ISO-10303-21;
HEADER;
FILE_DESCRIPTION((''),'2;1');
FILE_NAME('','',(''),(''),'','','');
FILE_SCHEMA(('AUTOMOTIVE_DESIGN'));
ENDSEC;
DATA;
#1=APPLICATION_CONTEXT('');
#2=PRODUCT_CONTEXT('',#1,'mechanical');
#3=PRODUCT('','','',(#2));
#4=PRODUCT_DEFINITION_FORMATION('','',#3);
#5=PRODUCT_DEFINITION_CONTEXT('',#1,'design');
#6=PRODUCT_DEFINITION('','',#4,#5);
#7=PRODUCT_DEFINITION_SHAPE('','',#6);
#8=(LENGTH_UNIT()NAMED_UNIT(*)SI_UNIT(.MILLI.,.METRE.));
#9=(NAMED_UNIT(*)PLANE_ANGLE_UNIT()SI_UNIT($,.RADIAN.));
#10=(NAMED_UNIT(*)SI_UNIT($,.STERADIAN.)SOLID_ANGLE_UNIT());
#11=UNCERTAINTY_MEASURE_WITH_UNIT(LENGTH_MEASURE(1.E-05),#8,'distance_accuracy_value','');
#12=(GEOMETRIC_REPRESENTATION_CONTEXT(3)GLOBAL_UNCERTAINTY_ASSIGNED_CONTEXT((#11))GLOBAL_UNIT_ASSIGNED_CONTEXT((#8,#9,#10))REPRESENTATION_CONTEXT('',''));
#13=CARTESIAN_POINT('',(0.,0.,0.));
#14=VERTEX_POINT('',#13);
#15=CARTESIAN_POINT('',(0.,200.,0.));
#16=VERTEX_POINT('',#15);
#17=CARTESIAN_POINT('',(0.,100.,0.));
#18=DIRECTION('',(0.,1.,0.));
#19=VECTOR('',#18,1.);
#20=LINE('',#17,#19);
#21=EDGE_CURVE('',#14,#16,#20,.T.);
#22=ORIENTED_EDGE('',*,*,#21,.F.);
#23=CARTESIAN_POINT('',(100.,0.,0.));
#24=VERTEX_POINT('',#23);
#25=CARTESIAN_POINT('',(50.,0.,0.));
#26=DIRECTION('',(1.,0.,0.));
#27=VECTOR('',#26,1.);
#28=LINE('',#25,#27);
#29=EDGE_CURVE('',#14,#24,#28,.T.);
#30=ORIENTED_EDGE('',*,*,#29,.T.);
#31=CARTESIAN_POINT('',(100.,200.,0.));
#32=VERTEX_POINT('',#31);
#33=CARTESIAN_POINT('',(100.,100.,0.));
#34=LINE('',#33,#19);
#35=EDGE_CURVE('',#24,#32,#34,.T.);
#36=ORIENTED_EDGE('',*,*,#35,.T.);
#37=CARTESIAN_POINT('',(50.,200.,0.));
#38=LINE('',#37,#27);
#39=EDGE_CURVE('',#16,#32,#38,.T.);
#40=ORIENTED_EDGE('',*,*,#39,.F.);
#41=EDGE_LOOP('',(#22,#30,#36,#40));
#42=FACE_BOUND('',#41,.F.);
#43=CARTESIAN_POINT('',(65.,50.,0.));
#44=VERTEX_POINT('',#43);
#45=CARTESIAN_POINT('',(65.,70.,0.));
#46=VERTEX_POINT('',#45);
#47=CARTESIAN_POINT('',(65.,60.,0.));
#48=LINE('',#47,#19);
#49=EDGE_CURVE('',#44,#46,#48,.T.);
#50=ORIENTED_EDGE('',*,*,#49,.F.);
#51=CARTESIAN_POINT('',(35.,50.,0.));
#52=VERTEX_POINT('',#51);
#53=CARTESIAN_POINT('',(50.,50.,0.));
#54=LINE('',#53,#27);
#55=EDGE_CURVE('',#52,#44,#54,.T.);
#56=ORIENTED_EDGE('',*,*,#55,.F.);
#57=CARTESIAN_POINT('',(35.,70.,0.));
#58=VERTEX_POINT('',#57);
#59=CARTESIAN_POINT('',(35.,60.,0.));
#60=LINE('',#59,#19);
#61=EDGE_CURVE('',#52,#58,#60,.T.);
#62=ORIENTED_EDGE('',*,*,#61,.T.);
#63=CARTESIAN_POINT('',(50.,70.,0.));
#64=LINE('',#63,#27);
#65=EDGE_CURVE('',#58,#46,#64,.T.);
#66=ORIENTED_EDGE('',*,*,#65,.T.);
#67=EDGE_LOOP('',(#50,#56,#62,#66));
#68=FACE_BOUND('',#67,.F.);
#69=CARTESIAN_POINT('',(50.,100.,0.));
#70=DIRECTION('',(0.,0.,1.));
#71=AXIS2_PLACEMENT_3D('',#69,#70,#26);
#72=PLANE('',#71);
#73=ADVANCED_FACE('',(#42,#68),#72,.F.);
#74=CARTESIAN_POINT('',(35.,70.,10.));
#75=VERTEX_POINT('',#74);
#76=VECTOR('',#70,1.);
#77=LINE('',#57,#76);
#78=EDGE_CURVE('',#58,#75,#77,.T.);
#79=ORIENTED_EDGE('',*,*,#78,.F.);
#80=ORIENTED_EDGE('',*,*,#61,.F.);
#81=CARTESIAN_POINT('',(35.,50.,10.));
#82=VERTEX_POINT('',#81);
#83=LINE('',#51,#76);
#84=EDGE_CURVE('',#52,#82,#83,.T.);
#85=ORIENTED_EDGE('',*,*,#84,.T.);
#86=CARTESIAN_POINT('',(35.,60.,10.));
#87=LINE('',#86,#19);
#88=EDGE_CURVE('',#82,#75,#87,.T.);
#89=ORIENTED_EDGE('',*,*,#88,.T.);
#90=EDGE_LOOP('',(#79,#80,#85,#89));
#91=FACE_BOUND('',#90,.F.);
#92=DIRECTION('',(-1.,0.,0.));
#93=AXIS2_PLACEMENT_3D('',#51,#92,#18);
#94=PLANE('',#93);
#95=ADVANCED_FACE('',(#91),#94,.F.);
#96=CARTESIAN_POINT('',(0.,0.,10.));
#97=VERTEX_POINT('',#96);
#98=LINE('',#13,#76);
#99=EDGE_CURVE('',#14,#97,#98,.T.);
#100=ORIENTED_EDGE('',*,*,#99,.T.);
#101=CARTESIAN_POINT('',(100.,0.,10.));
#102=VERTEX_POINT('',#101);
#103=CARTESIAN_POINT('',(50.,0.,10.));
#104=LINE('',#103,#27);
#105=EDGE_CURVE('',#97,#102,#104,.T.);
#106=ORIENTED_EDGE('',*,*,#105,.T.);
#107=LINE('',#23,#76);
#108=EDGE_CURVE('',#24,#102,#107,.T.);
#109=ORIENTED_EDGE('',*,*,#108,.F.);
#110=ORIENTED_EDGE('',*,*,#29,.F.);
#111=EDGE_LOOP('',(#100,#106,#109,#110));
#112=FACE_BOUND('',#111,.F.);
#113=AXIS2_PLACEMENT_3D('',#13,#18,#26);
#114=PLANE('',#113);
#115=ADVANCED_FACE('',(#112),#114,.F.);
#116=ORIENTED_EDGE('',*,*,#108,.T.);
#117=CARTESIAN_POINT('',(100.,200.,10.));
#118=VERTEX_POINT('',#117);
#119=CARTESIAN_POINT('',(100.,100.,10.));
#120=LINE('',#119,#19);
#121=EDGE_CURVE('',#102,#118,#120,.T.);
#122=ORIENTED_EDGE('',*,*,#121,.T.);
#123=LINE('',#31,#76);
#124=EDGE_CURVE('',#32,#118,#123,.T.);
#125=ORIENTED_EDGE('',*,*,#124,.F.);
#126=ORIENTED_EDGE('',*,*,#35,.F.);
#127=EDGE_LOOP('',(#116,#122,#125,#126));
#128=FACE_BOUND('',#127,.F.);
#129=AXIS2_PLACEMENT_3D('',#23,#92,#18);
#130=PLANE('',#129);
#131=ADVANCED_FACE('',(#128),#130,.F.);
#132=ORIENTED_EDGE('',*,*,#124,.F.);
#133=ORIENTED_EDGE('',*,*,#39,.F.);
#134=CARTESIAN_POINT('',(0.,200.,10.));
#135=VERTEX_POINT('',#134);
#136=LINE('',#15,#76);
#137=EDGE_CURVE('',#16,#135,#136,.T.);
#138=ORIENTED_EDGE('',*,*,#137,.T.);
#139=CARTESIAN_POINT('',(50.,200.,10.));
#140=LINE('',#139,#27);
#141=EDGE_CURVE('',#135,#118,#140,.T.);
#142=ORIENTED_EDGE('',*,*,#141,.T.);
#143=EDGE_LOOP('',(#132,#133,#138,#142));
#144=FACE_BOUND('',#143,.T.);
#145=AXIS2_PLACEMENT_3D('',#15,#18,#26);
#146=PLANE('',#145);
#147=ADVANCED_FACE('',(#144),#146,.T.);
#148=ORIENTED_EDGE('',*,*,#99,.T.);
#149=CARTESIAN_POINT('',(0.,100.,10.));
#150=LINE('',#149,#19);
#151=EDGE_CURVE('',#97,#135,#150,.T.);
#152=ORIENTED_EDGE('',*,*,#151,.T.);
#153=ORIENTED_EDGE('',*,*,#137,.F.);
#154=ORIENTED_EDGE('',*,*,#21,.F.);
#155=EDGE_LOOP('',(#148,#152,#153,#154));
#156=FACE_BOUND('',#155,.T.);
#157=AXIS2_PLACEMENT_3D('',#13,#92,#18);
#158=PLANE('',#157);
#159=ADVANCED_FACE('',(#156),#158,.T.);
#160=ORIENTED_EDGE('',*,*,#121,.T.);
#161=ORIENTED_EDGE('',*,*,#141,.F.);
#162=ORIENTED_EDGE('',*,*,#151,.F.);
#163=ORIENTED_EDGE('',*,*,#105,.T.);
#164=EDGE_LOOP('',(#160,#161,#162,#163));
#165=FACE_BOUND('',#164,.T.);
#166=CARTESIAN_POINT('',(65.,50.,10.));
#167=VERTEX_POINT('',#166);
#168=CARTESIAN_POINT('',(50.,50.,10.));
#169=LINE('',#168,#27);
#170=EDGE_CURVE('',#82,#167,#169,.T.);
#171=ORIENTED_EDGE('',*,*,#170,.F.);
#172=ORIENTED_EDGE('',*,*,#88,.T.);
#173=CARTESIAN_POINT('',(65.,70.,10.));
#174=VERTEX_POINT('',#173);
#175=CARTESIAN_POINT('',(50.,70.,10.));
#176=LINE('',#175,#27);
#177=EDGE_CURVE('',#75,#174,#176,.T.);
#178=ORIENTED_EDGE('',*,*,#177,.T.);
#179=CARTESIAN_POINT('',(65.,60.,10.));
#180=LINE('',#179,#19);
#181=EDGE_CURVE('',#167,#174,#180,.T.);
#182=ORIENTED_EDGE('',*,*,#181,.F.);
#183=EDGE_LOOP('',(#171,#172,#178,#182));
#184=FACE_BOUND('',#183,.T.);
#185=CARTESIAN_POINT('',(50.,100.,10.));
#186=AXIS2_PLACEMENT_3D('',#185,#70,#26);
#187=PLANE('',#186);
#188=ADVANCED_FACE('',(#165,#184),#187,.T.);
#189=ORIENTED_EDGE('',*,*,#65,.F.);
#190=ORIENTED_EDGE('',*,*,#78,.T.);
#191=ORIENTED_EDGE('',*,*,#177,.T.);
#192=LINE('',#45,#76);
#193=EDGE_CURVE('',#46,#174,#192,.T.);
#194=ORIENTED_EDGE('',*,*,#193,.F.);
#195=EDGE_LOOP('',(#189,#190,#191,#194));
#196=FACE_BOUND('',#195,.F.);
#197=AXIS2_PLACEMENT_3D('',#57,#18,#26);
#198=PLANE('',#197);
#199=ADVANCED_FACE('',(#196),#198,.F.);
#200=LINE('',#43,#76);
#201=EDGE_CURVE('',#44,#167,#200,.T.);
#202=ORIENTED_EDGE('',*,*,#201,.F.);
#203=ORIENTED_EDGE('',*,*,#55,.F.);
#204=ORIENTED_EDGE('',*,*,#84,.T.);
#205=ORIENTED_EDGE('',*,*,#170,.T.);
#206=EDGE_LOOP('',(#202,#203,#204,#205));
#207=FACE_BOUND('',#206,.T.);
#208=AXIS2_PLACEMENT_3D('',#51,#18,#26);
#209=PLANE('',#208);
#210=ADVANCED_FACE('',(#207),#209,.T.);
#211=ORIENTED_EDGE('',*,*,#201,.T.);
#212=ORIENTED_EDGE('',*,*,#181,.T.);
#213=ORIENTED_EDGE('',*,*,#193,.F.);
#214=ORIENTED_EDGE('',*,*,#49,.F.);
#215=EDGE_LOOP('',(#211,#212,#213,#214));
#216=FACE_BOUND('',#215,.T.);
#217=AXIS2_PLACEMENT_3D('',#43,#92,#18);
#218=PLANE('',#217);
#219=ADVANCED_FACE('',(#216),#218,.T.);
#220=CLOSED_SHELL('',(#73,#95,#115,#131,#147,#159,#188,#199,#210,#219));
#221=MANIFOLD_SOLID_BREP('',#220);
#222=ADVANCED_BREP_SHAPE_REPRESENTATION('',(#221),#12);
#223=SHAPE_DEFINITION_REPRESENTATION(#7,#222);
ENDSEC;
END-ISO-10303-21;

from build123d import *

# Parameters (mm, degrees)
SKETCH_W   = 100
SKETCH_H   = 200
SKETCH_W_2 = 30
SKETCH_H_2 = 20
PAD_DEPTH  = 10


with BuildPart() as part:
    # Sketch → Pad (new body)
    with BuildSketch(Plane.XY):
        with Locations((50, 100)):
            Rectangle(SKETCH_W, SKETCH_H)
        with Locations((50, 60)):
            Rectangle(SKETCH_W_2, SKETCH_H_2, mode=Mode.SUBTRACT)
    extrude(amount=PAD_DEPTH)


solid = part.part
